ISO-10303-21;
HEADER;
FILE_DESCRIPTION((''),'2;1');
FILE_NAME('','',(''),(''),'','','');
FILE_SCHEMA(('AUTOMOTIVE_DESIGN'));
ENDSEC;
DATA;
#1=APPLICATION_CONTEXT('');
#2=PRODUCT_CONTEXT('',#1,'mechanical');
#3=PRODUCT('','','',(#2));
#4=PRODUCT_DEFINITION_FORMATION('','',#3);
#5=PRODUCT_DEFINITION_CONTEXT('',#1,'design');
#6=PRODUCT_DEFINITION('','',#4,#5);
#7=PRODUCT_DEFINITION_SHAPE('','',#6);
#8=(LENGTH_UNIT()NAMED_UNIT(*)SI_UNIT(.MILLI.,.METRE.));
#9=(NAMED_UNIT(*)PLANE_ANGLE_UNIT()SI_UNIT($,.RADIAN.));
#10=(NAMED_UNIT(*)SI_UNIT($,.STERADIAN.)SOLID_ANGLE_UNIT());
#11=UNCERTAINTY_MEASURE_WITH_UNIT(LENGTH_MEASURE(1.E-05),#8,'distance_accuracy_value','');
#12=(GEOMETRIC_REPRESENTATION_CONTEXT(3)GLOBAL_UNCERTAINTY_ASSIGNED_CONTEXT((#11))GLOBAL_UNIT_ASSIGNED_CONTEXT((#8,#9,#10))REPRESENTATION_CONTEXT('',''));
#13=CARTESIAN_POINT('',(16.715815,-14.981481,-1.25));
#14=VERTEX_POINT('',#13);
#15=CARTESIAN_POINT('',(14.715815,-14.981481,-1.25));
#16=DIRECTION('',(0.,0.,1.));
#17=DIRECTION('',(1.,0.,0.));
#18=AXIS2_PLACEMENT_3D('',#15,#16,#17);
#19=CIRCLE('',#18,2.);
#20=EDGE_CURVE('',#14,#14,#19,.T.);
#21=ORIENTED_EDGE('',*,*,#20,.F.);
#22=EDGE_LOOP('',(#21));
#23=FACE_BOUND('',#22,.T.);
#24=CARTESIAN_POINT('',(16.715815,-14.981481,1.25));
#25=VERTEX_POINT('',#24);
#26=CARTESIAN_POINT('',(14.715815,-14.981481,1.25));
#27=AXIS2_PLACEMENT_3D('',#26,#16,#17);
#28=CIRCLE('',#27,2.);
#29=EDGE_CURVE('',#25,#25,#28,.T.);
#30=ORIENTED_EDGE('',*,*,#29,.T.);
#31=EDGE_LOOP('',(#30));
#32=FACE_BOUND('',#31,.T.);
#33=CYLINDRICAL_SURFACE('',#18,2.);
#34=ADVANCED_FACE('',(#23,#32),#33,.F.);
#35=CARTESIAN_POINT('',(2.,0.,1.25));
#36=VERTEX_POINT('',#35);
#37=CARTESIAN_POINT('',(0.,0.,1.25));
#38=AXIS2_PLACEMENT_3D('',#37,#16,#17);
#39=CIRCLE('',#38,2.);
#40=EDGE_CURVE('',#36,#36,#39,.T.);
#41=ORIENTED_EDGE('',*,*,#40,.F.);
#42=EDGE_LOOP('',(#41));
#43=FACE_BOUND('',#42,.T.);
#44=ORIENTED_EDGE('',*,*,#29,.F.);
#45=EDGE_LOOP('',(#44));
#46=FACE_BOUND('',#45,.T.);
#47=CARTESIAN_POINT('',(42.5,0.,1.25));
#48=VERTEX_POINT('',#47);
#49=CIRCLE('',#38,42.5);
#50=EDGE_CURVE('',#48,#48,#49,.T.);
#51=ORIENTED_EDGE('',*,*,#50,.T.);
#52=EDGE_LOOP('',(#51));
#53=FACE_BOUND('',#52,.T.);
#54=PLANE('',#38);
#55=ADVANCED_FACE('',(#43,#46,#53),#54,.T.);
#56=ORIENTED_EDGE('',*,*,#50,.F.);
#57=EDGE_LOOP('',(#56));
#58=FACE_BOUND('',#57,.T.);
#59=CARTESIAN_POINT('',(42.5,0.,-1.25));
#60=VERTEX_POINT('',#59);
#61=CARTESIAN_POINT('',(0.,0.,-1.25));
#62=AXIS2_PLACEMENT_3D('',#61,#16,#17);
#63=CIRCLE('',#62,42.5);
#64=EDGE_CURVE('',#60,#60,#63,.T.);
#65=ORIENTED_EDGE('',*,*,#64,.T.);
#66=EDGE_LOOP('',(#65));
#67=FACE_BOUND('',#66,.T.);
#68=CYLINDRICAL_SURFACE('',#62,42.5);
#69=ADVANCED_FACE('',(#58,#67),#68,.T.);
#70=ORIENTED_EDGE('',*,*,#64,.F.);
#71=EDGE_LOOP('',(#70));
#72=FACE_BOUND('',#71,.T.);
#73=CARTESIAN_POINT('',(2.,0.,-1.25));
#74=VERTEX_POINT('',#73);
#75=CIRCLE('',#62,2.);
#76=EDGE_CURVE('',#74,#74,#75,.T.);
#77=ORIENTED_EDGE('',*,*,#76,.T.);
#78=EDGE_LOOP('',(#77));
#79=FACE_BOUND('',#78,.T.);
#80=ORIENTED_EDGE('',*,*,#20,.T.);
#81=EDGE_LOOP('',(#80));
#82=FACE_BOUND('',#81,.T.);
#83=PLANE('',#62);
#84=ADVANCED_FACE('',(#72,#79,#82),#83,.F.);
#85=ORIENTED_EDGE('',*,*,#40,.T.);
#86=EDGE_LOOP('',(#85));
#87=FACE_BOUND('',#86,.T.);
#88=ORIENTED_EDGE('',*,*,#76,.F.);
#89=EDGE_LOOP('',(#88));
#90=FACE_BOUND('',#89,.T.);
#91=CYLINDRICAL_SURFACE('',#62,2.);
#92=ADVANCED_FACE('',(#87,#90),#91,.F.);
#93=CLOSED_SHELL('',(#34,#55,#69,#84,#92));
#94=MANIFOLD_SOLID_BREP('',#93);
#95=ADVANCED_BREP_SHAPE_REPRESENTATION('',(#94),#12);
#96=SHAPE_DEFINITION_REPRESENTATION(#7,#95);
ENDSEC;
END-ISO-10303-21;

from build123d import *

# Parameters (mm, degrees)
BOSS_EXTRUDE1_DEPTH      = 1.25
BOSS_EXTRUDE1_DEPTH_BACK = 1.25
SKETCH1_R                = 42.5
SKETCH1_R_2              = 2


with BuildPart() as part:
    # Sketch1 → Boss-Extrude1 (new, two sides: drawn at the far end of the back side and taken through both)
    with BuildSketch(Plane.XY.offset(-BOSS_EXTRUDE1_DEPTH_BACK)):
        Circle(SKETCH1_R)
        with Locations((14.715815051, -14.981481481)):
            Circle(SKETCH1_R_2, mode=Mode.SUBTRACT)
        Circle(SKETCH1_R_2, mode=Mode.SUBTRACT)
    extrude(amount=BOSS_EXTRUDE1_DEPTH + BOSS_EXTRUDE1_DEPTH_BACK)


solid = part.part
